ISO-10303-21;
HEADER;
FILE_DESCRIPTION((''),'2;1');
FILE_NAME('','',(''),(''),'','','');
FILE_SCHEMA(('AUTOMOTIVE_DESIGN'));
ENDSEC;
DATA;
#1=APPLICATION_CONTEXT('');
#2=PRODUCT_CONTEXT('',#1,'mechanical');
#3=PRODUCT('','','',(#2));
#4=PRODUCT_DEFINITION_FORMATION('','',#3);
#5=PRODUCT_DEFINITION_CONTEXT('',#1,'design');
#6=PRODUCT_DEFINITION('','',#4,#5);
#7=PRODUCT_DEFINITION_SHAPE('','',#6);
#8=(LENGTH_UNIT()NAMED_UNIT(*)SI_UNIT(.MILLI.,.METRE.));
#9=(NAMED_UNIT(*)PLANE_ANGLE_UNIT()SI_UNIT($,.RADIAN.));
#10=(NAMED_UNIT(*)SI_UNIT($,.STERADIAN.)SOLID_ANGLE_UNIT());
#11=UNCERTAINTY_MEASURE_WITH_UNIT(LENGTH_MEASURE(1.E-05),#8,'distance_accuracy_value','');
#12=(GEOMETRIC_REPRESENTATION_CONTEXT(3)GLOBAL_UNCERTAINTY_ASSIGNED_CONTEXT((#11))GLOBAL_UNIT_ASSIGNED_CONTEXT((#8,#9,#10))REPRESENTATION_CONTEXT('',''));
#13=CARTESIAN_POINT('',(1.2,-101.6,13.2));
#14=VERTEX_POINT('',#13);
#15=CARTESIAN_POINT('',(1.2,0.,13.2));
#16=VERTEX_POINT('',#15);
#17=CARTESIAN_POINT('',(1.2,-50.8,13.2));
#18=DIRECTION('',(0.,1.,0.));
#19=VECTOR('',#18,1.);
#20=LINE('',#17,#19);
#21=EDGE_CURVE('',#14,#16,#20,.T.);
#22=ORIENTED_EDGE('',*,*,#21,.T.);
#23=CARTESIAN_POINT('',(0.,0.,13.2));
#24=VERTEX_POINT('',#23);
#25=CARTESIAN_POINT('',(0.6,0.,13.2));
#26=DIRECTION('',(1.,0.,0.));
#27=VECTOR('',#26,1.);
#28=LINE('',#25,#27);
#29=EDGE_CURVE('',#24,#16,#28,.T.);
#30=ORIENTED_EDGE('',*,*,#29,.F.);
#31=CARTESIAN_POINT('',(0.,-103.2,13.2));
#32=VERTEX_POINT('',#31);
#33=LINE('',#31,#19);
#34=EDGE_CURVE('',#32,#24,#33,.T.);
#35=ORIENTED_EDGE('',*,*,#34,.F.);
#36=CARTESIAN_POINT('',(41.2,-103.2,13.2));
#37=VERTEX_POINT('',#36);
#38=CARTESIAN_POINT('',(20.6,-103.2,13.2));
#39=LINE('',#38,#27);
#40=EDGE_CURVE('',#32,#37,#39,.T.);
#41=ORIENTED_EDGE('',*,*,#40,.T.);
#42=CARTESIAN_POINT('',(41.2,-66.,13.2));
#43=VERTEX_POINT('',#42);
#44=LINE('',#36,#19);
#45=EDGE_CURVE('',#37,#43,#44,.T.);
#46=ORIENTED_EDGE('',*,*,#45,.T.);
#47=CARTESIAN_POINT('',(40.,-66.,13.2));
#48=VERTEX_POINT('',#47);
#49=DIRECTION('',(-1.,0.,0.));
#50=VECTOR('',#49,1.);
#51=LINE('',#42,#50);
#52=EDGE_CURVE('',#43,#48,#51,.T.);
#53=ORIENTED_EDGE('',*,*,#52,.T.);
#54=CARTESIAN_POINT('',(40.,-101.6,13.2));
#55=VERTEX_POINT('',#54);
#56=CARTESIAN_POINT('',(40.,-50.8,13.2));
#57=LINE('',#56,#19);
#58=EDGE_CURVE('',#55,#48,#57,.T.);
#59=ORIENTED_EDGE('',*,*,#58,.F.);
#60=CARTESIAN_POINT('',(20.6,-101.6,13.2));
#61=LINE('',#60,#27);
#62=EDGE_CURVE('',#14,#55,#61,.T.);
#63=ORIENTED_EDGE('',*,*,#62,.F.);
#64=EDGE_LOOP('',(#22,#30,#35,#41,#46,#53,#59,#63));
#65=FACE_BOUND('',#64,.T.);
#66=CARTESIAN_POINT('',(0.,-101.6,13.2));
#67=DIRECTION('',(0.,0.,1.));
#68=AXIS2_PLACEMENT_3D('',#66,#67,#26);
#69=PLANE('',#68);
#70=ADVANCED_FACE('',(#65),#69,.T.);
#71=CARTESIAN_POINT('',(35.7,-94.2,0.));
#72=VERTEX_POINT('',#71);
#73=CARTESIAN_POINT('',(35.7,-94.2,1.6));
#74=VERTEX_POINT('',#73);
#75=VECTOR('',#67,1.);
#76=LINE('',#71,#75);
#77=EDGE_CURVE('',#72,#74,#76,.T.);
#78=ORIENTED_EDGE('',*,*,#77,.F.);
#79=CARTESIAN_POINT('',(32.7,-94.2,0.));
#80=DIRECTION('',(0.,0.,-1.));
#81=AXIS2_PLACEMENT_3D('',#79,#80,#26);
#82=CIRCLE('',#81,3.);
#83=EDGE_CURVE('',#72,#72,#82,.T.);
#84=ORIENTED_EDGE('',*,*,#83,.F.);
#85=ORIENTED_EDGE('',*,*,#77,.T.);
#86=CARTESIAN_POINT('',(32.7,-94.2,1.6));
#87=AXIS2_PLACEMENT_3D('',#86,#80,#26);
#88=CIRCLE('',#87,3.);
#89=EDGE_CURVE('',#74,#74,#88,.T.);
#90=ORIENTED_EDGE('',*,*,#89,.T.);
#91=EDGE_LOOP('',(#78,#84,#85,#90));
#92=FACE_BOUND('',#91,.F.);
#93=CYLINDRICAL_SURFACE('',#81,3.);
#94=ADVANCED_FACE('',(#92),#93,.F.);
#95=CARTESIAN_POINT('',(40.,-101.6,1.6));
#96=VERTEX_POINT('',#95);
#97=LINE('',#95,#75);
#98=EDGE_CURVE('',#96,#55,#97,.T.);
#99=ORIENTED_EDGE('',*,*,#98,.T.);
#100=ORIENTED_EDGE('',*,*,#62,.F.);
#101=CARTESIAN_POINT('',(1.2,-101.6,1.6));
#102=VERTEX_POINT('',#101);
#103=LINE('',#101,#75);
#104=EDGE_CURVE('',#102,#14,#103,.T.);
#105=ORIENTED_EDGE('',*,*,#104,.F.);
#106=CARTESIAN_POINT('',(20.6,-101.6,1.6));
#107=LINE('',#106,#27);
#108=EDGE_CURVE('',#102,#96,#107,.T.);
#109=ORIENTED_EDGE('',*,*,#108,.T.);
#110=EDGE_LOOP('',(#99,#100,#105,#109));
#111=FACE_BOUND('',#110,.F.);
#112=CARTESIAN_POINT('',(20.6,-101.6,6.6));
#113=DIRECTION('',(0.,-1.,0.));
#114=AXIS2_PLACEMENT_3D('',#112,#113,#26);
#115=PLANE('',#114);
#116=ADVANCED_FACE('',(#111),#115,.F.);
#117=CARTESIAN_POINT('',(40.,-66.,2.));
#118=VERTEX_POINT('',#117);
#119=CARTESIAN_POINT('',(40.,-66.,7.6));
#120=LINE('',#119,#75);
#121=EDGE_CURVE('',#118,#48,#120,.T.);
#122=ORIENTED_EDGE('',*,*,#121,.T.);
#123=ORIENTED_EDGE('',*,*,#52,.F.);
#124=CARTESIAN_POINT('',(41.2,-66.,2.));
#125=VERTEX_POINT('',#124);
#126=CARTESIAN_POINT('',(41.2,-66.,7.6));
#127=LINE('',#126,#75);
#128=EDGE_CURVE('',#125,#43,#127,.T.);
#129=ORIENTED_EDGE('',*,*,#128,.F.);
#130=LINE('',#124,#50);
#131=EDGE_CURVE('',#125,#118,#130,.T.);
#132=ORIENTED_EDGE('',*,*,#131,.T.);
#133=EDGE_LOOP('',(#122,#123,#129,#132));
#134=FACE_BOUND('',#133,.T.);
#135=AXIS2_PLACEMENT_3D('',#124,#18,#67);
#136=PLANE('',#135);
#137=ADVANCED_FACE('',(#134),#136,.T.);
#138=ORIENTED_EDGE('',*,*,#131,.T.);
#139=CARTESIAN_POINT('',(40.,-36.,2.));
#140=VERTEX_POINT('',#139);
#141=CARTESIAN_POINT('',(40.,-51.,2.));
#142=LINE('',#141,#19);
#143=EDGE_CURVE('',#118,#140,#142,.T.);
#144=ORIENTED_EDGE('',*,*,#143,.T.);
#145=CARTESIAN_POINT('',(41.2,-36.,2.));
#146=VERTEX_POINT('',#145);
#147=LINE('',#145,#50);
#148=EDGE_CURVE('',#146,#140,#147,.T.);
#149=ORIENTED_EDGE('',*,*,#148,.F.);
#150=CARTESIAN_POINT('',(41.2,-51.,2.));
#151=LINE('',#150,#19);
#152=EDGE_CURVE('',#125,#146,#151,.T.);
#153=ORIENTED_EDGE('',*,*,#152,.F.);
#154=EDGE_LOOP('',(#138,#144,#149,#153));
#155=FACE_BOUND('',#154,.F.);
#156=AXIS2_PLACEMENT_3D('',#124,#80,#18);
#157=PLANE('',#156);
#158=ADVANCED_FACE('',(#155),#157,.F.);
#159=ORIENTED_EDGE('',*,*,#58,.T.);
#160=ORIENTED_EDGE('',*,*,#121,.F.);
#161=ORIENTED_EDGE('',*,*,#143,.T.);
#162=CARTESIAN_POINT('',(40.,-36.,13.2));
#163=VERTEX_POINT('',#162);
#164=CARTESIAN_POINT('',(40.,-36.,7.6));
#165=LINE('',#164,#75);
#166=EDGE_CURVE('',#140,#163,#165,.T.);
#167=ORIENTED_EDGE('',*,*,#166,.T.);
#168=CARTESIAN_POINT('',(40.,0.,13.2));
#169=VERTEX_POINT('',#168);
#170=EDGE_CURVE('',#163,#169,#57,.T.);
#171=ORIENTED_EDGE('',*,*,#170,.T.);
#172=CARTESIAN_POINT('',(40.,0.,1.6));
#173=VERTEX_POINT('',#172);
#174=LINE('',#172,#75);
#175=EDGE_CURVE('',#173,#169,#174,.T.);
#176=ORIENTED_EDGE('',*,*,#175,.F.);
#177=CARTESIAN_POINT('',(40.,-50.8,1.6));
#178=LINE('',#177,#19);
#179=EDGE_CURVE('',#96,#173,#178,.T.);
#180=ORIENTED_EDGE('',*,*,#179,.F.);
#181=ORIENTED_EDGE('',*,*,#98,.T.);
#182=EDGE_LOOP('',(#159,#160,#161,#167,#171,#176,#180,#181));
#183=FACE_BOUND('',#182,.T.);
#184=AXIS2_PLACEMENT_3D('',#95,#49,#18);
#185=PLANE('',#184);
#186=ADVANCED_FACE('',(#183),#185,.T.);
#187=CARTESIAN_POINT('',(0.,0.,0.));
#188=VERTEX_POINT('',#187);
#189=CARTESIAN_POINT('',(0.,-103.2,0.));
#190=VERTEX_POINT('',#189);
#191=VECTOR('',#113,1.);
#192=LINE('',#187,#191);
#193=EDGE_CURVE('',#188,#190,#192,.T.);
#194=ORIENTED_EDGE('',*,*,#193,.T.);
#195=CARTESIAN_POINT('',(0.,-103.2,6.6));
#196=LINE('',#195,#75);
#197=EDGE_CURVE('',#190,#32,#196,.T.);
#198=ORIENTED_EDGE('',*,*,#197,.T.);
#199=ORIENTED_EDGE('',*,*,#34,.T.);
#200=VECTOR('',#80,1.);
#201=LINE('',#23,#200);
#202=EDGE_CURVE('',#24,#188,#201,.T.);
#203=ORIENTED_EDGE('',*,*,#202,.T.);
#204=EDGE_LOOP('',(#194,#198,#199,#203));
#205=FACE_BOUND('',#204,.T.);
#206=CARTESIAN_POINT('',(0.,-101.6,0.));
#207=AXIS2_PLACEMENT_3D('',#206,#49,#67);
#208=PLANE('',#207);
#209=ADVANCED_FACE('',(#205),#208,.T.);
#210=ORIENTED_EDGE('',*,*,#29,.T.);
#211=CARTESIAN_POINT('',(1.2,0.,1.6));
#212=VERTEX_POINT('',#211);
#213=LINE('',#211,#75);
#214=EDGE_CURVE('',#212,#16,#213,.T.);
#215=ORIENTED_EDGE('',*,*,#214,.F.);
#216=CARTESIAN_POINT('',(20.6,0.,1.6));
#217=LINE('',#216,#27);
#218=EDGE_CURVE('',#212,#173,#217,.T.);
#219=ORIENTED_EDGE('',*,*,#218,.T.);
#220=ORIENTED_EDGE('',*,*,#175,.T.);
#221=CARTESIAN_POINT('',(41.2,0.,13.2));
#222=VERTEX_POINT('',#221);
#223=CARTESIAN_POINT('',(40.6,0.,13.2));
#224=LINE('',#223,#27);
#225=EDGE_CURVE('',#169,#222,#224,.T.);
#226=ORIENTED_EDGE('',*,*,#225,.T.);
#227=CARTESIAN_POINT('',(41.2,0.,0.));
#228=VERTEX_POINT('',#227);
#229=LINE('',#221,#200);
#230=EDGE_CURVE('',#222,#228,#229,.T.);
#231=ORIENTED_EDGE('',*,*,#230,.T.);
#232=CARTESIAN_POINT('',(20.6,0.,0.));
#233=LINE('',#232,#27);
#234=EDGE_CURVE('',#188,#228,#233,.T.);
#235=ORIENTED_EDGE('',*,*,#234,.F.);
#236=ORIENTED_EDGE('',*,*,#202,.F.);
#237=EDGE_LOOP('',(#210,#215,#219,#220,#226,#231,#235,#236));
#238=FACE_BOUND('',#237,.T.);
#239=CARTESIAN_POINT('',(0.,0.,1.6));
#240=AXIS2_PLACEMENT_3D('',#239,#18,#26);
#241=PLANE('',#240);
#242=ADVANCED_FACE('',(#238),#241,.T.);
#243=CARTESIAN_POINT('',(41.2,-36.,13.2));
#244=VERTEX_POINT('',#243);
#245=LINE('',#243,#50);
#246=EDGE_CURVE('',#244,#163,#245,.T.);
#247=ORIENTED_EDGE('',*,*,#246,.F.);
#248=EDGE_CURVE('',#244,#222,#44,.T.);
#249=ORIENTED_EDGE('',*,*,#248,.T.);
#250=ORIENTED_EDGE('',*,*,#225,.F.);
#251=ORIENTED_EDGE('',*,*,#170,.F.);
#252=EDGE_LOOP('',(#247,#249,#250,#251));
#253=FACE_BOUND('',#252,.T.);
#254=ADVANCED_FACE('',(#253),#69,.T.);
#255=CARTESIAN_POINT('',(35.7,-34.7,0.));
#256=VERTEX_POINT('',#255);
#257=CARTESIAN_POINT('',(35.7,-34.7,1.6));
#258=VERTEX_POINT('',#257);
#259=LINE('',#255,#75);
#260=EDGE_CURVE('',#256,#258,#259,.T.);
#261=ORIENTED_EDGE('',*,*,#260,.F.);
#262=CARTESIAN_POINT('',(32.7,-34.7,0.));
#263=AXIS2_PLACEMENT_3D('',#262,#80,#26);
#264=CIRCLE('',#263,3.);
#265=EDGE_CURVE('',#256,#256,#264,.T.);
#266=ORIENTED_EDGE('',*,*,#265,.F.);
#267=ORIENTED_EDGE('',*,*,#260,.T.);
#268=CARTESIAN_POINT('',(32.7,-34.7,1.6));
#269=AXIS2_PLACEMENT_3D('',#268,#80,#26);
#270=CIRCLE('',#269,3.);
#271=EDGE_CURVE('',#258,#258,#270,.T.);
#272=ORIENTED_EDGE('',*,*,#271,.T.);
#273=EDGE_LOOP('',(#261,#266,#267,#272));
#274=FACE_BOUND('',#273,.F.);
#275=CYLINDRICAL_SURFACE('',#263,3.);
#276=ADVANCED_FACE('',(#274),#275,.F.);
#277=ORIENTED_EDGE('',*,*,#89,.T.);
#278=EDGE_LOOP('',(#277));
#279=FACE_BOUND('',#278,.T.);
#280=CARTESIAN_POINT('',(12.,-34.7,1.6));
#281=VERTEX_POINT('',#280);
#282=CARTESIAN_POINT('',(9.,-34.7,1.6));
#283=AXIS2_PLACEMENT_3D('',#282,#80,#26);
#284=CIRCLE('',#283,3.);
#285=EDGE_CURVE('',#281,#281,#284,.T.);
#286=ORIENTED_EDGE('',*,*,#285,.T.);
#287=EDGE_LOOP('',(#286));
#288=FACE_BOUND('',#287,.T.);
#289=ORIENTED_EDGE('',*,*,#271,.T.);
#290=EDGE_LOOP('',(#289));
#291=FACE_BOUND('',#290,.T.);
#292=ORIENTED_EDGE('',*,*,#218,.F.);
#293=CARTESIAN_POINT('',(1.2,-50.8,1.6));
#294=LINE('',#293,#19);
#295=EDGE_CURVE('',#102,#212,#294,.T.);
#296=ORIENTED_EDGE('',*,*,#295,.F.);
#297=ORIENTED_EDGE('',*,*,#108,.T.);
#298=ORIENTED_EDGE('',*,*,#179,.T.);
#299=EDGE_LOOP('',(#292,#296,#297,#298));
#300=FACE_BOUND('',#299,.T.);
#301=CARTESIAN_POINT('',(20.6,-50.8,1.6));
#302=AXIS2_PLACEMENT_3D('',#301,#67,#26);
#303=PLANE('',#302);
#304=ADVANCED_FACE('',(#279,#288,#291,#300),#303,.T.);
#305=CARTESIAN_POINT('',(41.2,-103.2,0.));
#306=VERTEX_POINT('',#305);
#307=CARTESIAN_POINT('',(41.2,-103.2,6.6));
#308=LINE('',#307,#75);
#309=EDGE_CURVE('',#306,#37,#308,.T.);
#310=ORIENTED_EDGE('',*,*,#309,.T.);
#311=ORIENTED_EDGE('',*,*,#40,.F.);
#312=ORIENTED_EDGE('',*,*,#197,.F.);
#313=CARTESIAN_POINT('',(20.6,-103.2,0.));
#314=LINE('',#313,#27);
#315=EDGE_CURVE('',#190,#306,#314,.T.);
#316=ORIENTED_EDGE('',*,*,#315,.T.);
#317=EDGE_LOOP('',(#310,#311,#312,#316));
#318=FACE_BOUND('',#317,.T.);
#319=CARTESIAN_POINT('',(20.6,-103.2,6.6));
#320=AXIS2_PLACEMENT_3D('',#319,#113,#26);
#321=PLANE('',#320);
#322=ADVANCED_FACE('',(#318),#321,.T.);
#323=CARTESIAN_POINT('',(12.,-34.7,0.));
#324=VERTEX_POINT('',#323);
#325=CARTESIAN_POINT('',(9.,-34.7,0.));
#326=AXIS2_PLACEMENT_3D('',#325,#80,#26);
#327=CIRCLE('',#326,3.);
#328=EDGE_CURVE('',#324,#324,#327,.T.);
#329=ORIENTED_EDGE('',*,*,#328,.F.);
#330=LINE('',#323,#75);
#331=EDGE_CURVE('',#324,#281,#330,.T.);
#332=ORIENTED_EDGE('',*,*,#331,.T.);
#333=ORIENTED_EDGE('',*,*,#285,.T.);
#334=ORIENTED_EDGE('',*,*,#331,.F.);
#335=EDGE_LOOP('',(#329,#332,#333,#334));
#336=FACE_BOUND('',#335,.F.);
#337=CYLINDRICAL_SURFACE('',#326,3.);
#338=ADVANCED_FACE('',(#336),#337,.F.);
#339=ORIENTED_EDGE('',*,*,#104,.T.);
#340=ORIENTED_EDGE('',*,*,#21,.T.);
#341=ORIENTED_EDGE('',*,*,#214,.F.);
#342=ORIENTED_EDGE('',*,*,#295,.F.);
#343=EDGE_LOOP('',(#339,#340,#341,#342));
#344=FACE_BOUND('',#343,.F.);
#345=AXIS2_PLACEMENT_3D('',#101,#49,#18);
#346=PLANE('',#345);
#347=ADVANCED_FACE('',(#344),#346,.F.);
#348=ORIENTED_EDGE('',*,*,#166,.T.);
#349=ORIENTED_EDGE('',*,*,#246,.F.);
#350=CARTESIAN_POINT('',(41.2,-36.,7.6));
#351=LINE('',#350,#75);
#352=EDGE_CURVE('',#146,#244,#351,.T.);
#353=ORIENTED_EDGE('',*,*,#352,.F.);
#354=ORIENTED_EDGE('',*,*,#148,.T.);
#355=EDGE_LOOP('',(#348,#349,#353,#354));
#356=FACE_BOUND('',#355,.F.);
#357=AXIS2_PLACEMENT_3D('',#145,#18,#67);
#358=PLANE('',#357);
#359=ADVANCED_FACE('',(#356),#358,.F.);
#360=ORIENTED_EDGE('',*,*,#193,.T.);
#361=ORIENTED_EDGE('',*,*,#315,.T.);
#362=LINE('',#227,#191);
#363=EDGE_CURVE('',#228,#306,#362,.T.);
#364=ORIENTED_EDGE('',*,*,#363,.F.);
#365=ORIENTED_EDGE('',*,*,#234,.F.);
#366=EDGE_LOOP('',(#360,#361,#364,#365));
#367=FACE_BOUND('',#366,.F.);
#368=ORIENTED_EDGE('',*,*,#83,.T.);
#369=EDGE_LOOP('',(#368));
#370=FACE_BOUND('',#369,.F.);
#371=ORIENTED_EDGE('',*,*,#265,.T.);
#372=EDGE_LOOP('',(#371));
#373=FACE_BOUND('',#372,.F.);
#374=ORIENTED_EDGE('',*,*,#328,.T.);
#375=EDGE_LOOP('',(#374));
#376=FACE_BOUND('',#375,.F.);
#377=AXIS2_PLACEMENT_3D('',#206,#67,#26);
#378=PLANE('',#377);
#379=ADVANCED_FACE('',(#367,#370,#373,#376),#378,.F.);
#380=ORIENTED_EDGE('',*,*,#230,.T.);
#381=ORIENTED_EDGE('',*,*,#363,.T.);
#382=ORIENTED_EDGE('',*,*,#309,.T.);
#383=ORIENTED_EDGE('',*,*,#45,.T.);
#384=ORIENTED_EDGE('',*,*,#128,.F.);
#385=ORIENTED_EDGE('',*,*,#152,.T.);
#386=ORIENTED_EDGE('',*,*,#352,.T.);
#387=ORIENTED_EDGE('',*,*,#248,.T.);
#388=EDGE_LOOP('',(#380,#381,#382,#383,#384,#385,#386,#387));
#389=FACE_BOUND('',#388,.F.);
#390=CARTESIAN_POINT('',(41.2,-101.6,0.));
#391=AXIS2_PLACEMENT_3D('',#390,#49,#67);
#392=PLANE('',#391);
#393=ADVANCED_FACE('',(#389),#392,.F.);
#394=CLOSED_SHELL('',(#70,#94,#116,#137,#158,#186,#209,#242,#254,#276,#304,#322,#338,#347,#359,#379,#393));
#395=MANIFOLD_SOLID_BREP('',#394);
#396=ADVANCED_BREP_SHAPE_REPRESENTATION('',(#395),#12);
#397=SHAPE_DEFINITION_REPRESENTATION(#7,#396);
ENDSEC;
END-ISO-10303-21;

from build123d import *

# Parameters (mm, degrees)
SKETCH_W        = 41.2
SKETCH_H        = 101.6
PAD_DEPTH       = 1.6
SKETCH001_W     = 1.2
SKETCH001_H     = 101.6
PAD001_DEPTH    = 11.6
SKETCH002_W     = 41.2
SKETCH002_H     = 13.2
PAD002_DEPTH    = 1.6
SKETCH003_W     = 30
SKETCH003_H     = 11.2
POCKET_DEPTH    = 1.2
SKETCH004_R     = 3
POCKET001_DEPTH = 1.6


with BuildPart() as part:
    # Sketch → Pad (new body)
    with BuildSketch(Plane.XY):
        with Locations((20.6, -50.8)):
            Rectangle(SKETCH_W, SKETCH_H)
    extrude(amount=PAD_DEPTH)

    # Sketch001 → Pad001 (new body)
    with BuildSketch(Plane.XY.offset(1.6)):
        with Locations((0.6, -50.8)):
            Rectangle(SKETCH001_W, SKETCH001_H)
        with Locations((40.6, -50.8)):
            Rectangle(SKETCH001_W, SKETCH001_H)
    extrude(amount=PAD001_DEPTH)

    # Sketch002 → Pad002 (new body)
    with BuildSketch(Plane.XZ.offset(101.6)):
        with Locations((20.6, 6.6)):
            Rectangle(SKETCH002_W, SKETCH002_H)
    extrude(amount=PAD002_DEPTH)

    # Sketch003 → Pocket (cut)
    with BuildSketch(Plane.YZ.offset(41.2)):
        with Locations((-51, 7.6)):
            Rectangle(SKETCH003_W, SKETCH003_H)
    extrude(amount=-POCKET_DEPTH, mode=Mode.SUBTRACT)

    # Sketch004 → Pocket001 (cut)
    with BuildSketch(Plane(origin=(0, 0, 0), x_dir=(1, 0, 0), z_dir=(0, 0, -1))):
        with Locations((32.7, 94.2)):
            Circle(SKETCH004_R)
        with Locations((9, 34.7)):
            Circle(SKETCH004_R)
        with Locations((32.7, 34.7)):
            Circle(SKETCH004_R)
    extrude(amount=-POCKET001_DEPTH, mode=Mode.SUBTRACT)


solid = part.part
